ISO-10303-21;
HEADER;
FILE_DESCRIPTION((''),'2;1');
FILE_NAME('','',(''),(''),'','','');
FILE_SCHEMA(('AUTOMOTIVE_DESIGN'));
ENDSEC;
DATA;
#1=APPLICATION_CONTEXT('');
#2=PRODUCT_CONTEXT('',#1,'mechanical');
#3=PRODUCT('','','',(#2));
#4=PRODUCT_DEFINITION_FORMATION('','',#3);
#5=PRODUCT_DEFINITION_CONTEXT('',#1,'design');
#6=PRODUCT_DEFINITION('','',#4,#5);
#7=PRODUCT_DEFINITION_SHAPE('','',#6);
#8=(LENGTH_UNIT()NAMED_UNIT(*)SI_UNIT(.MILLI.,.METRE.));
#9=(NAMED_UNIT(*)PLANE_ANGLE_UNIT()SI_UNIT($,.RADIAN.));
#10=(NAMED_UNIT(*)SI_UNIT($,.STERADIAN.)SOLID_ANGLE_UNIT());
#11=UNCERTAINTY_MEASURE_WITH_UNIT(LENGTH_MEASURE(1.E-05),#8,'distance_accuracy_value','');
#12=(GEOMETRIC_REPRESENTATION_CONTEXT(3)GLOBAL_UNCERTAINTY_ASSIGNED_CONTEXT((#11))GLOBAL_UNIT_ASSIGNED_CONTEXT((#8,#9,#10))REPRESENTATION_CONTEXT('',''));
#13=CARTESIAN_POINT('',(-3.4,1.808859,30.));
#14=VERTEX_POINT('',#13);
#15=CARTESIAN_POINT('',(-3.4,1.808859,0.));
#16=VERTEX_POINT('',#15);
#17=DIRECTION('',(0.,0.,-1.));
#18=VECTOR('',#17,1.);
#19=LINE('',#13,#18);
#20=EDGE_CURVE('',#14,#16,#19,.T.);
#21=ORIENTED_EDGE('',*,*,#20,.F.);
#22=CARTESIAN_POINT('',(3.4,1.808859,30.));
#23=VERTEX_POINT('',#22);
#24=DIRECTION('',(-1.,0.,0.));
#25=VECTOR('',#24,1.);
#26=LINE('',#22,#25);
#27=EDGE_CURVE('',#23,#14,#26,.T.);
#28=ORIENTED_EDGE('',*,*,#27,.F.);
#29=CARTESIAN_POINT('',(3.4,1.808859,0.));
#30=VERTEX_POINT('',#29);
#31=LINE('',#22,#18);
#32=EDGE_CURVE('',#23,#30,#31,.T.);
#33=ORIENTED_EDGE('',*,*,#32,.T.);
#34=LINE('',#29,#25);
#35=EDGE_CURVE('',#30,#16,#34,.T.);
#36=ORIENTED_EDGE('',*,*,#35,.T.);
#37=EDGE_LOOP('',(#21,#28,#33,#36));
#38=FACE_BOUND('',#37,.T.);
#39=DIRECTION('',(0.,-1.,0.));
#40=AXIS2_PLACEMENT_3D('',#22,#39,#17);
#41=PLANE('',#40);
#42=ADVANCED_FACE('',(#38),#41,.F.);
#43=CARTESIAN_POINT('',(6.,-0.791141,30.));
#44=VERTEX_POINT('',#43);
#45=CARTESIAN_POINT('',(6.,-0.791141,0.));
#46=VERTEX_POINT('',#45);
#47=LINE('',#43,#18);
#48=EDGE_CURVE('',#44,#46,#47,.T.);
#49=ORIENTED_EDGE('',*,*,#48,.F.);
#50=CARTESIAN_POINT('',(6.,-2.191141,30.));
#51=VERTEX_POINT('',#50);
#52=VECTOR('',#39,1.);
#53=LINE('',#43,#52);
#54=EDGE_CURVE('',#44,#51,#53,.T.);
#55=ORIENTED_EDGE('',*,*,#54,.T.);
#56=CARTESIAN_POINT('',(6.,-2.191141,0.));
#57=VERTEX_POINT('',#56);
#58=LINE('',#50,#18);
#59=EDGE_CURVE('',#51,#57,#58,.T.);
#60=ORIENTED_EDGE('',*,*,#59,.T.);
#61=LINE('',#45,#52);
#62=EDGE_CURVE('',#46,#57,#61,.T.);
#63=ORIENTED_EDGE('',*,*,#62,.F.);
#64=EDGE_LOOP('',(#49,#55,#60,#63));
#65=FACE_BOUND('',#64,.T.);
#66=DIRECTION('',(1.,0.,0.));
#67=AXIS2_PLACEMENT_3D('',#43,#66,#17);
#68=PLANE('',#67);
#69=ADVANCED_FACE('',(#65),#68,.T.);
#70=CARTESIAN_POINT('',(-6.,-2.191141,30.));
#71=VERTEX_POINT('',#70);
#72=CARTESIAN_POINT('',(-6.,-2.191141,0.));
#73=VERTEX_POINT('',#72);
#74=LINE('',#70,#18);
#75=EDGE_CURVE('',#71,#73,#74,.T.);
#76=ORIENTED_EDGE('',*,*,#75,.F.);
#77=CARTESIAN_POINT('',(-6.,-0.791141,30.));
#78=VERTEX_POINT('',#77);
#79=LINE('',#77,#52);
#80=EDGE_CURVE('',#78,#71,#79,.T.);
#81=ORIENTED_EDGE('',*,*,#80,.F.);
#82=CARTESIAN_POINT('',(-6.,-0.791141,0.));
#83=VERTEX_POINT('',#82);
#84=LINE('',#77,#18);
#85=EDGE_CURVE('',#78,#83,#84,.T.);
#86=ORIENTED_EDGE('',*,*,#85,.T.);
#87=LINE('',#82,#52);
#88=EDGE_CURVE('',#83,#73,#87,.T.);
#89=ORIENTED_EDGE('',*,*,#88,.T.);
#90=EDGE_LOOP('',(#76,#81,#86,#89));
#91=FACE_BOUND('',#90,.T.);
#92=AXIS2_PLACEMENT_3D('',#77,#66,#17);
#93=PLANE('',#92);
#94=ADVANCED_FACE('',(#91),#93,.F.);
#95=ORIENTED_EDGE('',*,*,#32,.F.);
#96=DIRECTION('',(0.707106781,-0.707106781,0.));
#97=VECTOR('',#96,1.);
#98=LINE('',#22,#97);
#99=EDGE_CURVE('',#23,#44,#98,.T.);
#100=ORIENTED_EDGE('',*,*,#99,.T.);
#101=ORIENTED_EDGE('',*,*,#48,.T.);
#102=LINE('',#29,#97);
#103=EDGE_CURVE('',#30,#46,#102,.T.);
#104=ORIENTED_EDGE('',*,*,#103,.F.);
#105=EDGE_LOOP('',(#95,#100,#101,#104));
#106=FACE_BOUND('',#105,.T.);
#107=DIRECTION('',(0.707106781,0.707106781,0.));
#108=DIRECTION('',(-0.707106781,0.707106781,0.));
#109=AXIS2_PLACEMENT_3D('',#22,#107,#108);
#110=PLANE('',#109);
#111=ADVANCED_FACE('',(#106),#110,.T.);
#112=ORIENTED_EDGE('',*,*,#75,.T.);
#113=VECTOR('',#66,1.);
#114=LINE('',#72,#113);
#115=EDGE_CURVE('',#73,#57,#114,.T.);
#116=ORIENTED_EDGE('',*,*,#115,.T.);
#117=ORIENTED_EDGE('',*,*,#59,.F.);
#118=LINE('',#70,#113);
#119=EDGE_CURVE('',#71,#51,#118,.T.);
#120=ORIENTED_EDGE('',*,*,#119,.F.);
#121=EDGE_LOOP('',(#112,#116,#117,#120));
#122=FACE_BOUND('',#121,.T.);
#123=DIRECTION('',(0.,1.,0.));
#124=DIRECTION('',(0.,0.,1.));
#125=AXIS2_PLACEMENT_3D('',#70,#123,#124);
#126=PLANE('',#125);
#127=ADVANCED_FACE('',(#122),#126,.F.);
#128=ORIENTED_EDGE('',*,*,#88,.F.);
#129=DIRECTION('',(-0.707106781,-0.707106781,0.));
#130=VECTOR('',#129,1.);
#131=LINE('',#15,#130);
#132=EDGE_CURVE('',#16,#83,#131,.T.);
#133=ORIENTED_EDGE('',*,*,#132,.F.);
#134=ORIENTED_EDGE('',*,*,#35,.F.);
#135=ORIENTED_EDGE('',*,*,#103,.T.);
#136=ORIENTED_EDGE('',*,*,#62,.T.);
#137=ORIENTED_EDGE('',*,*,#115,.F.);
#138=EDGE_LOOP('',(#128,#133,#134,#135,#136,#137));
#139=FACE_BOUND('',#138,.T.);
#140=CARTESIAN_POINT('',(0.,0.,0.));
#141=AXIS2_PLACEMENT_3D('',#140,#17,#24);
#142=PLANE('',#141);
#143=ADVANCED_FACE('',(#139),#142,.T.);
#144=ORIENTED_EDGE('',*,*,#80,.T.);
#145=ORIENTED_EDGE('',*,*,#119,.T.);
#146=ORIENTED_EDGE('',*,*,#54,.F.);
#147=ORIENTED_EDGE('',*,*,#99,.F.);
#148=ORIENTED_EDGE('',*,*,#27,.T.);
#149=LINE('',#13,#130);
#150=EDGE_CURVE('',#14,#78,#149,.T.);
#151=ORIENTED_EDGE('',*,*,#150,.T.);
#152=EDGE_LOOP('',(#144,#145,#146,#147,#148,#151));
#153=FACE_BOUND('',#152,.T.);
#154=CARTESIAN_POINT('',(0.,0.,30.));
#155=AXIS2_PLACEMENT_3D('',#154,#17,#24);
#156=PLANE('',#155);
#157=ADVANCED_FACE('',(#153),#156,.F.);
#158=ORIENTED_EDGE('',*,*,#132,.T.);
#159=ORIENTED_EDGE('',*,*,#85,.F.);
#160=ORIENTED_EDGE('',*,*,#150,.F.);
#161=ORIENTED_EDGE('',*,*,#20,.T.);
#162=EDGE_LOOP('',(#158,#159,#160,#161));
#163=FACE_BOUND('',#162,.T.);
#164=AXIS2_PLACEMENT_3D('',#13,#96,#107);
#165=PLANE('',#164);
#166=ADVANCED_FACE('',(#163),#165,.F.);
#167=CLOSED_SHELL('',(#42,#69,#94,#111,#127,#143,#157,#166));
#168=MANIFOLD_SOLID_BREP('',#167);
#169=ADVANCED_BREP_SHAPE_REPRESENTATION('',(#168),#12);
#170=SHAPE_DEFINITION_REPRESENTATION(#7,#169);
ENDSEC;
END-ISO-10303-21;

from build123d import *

# Parameters (mm, degrees)
AUFSATZ_LINEAR_AUSTRAGEN1_DEPTH = 30


with BuildPart() as part:
    # Skizze1 → Aufsatz-Linear austragen1 (new body)
    with BuildSketch(Plane.XY):
        Polygon((3.4, 1.808858787), (-3.4, 1.808858787), (-6, -0.791141213), (-6, -2.191141213), (6, -2.191141213), (6, -0.791141213), align=None)
    extrude(amount=AUFSATZ_LINEAR_AUSTRAGEN1_DEPTH)


solid = part.part
